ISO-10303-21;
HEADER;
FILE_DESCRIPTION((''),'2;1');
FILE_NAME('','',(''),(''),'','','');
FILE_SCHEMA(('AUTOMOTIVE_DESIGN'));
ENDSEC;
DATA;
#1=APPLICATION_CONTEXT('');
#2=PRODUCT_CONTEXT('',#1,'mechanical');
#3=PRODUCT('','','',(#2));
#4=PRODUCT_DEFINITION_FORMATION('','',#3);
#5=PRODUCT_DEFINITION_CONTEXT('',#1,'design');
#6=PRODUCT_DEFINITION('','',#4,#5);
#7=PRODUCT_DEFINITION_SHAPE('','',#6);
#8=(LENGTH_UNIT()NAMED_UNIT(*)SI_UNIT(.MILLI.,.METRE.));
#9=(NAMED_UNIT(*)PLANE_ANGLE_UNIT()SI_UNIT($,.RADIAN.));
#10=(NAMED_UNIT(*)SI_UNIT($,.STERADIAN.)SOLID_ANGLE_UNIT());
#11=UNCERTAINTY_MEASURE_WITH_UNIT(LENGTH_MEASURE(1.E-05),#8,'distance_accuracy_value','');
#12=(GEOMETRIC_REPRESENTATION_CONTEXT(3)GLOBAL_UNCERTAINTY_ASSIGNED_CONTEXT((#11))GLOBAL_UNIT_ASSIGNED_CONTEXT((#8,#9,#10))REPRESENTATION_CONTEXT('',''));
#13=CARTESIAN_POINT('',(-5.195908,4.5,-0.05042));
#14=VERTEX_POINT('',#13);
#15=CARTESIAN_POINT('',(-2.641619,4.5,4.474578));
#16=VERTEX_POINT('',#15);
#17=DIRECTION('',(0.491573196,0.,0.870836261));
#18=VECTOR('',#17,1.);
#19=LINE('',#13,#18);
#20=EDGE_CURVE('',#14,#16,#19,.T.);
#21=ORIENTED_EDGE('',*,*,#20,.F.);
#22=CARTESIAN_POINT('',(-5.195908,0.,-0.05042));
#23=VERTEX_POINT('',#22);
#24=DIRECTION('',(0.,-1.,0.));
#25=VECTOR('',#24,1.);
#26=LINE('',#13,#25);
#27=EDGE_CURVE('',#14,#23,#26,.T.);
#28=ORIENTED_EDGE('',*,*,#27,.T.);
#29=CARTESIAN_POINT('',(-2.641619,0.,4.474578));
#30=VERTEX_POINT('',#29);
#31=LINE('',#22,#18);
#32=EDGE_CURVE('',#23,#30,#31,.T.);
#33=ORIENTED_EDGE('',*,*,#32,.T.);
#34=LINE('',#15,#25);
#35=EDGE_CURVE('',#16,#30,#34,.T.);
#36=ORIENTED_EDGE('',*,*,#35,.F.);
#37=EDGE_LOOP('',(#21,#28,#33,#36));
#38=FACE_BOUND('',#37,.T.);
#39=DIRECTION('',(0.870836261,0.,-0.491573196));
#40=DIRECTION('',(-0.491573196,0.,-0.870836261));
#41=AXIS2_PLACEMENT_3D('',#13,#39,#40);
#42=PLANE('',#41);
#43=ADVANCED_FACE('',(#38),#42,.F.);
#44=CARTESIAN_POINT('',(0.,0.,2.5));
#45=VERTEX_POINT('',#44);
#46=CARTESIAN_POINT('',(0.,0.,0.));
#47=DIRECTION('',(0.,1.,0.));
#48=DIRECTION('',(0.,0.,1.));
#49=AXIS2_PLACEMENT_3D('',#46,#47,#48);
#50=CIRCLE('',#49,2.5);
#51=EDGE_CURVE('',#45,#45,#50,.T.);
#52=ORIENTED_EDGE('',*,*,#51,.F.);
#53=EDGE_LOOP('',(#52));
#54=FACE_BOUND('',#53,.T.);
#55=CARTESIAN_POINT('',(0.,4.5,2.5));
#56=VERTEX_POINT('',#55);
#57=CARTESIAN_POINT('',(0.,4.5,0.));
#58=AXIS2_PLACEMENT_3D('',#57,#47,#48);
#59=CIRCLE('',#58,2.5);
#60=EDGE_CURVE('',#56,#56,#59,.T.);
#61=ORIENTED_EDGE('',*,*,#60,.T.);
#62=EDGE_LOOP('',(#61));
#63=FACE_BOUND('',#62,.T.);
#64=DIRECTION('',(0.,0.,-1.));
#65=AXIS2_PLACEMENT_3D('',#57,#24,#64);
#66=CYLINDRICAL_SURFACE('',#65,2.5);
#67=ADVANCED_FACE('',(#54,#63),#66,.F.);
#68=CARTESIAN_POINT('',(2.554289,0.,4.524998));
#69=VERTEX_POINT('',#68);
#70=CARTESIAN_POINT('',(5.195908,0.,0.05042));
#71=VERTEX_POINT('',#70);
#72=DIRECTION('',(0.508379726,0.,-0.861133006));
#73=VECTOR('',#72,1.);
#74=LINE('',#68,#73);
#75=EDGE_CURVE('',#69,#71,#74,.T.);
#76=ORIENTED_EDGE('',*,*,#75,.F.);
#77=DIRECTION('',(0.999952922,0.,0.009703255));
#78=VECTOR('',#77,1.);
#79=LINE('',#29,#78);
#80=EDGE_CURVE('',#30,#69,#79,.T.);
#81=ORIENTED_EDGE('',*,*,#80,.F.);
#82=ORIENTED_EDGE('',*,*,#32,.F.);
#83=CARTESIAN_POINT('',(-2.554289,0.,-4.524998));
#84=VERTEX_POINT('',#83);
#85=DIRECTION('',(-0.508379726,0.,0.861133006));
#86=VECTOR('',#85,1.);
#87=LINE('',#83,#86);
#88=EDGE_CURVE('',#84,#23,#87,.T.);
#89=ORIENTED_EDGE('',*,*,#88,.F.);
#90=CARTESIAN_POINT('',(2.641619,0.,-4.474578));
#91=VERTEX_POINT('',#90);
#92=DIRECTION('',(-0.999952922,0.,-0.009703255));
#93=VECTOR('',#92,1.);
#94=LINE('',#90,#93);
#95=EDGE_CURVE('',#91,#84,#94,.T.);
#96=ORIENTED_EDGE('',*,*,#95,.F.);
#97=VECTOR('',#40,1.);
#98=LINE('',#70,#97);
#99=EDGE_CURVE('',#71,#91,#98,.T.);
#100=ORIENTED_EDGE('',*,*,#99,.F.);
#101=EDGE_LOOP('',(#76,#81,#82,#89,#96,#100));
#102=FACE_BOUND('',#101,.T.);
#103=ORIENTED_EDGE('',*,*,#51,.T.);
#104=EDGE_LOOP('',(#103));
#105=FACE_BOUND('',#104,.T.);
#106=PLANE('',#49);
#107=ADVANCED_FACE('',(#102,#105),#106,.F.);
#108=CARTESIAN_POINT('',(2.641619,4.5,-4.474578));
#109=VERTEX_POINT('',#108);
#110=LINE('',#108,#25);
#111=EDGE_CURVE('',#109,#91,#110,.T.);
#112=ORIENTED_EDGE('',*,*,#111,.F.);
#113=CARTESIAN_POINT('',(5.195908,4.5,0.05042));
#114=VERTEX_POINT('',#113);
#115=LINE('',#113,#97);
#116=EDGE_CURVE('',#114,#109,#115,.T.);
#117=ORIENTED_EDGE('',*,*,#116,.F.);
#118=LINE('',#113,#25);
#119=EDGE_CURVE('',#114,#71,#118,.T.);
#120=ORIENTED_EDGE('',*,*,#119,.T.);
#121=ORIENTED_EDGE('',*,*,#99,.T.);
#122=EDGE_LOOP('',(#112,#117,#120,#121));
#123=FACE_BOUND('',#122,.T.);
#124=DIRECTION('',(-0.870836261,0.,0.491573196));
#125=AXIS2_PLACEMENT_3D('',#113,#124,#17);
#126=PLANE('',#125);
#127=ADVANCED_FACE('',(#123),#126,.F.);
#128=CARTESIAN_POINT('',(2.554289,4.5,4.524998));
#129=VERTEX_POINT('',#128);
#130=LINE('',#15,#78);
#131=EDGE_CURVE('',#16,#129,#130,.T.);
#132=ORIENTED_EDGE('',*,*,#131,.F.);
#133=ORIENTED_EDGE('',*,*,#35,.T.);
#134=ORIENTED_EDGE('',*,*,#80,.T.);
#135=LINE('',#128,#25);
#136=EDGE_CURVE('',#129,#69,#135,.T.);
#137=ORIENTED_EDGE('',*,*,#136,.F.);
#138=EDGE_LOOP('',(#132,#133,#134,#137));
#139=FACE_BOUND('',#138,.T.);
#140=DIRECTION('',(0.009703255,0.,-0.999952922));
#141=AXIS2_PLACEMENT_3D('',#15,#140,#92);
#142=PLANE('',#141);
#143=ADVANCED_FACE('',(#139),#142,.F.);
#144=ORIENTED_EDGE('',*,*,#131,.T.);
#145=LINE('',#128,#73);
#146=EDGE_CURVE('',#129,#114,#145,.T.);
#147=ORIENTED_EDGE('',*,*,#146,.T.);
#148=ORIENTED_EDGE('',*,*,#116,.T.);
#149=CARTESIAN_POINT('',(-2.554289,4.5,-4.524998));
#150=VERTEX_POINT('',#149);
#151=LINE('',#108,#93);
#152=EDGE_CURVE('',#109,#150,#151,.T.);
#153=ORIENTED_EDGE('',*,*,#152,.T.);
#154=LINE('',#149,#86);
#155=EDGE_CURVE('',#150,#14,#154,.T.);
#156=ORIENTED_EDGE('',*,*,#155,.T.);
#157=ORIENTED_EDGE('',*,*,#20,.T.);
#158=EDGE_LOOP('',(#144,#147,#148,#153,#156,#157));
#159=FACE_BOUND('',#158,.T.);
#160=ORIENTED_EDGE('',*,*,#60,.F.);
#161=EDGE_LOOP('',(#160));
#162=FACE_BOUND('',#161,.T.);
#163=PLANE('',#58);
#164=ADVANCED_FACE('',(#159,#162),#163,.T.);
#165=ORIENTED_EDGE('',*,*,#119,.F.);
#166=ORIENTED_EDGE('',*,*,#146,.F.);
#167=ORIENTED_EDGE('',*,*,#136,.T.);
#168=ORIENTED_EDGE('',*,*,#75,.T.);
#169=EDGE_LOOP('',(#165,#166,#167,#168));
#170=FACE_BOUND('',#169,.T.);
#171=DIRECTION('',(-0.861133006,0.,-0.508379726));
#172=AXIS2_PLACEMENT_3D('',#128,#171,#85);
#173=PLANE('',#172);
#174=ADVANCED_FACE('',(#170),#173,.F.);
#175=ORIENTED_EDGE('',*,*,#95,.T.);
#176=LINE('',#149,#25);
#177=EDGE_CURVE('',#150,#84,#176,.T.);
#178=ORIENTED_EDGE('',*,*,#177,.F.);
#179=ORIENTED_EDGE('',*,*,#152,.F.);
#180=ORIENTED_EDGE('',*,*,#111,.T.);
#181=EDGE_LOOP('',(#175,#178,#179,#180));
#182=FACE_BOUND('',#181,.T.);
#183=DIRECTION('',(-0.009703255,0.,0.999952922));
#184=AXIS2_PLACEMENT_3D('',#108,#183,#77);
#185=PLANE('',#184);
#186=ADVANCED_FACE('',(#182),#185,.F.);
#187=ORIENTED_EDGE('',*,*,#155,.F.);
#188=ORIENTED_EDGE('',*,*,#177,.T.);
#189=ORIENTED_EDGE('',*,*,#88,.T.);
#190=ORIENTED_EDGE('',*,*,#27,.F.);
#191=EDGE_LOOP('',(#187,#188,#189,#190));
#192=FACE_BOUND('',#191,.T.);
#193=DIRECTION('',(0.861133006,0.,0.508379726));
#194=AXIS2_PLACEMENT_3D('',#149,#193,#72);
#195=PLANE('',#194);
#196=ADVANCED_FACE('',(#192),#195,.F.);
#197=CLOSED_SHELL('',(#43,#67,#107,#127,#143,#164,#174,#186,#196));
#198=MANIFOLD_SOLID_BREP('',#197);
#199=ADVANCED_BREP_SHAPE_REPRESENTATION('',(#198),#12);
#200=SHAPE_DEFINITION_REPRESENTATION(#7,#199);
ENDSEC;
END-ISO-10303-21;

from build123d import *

# Parameters (mm, degrees)
SKETCH1_R           = 2.5
BOSS_EXTRUDE1_DEPTH = 4.5


with BuildPart() as part:
    # Sketch1 → Boss-Extrude1 (new body)
    with BuildSketch(Plane(origin=(0, 0, 0), x_dir=(1, 0, 0), z_dir=(0, 1, 0))):
        Polygon((2.641618547, 4.474578355), (-2.554289253, 4.524997946), (-5.1959078, 0.050419591), (-2.641618547, -4.474578355), (2.554289253, -4.524997946), (5.1959078, -0.050419591), align=None)
        with Locations(Location((0, 0, 0), (0, 0, 270))):
            Circle(SKETCH1_R, mode=Mode.SUBTRACT)
    extrude(amount=BOSS_EXTRUDE1_DEPTH)


solid = part.part
